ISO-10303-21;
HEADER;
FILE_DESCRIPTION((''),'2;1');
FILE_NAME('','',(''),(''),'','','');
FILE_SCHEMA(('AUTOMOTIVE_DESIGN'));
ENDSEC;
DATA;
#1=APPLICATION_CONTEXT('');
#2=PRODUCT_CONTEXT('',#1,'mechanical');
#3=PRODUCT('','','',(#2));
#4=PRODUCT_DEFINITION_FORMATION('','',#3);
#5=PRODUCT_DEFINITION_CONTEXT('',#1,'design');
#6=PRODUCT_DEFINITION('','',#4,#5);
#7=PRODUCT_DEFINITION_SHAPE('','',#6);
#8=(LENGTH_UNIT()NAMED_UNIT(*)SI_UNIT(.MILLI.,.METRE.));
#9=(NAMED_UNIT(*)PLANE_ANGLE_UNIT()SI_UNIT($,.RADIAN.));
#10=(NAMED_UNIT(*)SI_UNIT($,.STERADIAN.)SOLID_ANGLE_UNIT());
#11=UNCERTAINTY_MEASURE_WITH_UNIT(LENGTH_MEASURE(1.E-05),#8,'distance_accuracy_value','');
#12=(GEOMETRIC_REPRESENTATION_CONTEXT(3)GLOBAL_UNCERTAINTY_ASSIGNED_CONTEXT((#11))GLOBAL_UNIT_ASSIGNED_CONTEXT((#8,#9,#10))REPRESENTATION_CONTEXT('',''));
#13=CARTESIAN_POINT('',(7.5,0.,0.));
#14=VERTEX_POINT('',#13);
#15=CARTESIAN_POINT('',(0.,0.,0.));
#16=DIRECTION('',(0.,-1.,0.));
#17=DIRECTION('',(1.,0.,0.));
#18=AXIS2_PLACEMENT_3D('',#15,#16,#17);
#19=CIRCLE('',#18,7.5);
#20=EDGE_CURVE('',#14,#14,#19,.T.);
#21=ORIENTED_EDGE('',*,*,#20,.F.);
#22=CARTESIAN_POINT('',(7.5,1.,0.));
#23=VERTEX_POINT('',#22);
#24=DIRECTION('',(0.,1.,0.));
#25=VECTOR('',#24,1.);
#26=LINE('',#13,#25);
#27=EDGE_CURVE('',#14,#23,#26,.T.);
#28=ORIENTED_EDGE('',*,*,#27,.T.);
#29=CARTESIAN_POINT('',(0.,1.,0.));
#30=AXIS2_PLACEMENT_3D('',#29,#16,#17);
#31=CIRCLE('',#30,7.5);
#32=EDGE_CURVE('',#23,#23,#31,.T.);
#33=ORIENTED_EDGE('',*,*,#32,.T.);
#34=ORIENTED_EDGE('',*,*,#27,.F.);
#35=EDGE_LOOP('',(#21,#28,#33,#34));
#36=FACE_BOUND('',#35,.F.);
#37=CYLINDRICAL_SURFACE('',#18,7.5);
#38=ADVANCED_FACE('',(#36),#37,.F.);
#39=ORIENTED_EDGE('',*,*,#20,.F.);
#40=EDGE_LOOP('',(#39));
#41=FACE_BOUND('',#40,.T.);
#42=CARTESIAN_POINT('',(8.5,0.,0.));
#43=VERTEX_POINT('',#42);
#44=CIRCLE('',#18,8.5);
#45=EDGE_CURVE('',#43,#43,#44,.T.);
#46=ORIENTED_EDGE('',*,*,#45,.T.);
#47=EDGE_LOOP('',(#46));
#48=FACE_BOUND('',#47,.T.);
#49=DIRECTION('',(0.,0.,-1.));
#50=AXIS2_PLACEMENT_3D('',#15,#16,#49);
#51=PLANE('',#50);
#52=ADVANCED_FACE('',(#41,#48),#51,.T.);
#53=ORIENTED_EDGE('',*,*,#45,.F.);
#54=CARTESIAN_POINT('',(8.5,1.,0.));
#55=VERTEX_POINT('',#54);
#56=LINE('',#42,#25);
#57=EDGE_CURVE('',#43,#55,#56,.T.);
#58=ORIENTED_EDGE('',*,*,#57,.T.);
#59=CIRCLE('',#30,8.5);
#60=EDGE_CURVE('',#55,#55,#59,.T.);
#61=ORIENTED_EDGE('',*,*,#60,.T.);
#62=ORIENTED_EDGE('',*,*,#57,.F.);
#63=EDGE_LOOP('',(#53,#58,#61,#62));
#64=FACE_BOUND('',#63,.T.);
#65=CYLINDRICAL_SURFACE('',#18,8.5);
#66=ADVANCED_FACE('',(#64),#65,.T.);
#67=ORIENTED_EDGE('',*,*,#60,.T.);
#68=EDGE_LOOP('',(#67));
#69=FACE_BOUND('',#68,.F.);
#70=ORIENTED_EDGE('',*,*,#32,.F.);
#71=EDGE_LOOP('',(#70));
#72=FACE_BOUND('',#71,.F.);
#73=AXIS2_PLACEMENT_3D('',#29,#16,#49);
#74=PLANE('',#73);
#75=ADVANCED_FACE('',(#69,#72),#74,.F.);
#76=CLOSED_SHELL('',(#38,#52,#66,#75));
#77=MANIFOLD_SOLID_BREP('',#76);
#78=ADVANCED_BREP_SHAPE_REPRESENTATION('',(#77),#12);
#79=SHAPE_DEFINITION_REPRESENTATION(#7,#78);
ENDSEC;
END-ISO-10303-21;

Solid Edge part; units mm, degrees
sketch "Sketch1" plane through (0, 0, 0) normal (0, -1, 0) x (1, 0, 0)
  circle A0 centre (0, 0) radius 8.5
  circle A1 centre (0, 0) radius 7.5
extrude "Protrusion1" add sketch "Sketch1" against normal blind 1
